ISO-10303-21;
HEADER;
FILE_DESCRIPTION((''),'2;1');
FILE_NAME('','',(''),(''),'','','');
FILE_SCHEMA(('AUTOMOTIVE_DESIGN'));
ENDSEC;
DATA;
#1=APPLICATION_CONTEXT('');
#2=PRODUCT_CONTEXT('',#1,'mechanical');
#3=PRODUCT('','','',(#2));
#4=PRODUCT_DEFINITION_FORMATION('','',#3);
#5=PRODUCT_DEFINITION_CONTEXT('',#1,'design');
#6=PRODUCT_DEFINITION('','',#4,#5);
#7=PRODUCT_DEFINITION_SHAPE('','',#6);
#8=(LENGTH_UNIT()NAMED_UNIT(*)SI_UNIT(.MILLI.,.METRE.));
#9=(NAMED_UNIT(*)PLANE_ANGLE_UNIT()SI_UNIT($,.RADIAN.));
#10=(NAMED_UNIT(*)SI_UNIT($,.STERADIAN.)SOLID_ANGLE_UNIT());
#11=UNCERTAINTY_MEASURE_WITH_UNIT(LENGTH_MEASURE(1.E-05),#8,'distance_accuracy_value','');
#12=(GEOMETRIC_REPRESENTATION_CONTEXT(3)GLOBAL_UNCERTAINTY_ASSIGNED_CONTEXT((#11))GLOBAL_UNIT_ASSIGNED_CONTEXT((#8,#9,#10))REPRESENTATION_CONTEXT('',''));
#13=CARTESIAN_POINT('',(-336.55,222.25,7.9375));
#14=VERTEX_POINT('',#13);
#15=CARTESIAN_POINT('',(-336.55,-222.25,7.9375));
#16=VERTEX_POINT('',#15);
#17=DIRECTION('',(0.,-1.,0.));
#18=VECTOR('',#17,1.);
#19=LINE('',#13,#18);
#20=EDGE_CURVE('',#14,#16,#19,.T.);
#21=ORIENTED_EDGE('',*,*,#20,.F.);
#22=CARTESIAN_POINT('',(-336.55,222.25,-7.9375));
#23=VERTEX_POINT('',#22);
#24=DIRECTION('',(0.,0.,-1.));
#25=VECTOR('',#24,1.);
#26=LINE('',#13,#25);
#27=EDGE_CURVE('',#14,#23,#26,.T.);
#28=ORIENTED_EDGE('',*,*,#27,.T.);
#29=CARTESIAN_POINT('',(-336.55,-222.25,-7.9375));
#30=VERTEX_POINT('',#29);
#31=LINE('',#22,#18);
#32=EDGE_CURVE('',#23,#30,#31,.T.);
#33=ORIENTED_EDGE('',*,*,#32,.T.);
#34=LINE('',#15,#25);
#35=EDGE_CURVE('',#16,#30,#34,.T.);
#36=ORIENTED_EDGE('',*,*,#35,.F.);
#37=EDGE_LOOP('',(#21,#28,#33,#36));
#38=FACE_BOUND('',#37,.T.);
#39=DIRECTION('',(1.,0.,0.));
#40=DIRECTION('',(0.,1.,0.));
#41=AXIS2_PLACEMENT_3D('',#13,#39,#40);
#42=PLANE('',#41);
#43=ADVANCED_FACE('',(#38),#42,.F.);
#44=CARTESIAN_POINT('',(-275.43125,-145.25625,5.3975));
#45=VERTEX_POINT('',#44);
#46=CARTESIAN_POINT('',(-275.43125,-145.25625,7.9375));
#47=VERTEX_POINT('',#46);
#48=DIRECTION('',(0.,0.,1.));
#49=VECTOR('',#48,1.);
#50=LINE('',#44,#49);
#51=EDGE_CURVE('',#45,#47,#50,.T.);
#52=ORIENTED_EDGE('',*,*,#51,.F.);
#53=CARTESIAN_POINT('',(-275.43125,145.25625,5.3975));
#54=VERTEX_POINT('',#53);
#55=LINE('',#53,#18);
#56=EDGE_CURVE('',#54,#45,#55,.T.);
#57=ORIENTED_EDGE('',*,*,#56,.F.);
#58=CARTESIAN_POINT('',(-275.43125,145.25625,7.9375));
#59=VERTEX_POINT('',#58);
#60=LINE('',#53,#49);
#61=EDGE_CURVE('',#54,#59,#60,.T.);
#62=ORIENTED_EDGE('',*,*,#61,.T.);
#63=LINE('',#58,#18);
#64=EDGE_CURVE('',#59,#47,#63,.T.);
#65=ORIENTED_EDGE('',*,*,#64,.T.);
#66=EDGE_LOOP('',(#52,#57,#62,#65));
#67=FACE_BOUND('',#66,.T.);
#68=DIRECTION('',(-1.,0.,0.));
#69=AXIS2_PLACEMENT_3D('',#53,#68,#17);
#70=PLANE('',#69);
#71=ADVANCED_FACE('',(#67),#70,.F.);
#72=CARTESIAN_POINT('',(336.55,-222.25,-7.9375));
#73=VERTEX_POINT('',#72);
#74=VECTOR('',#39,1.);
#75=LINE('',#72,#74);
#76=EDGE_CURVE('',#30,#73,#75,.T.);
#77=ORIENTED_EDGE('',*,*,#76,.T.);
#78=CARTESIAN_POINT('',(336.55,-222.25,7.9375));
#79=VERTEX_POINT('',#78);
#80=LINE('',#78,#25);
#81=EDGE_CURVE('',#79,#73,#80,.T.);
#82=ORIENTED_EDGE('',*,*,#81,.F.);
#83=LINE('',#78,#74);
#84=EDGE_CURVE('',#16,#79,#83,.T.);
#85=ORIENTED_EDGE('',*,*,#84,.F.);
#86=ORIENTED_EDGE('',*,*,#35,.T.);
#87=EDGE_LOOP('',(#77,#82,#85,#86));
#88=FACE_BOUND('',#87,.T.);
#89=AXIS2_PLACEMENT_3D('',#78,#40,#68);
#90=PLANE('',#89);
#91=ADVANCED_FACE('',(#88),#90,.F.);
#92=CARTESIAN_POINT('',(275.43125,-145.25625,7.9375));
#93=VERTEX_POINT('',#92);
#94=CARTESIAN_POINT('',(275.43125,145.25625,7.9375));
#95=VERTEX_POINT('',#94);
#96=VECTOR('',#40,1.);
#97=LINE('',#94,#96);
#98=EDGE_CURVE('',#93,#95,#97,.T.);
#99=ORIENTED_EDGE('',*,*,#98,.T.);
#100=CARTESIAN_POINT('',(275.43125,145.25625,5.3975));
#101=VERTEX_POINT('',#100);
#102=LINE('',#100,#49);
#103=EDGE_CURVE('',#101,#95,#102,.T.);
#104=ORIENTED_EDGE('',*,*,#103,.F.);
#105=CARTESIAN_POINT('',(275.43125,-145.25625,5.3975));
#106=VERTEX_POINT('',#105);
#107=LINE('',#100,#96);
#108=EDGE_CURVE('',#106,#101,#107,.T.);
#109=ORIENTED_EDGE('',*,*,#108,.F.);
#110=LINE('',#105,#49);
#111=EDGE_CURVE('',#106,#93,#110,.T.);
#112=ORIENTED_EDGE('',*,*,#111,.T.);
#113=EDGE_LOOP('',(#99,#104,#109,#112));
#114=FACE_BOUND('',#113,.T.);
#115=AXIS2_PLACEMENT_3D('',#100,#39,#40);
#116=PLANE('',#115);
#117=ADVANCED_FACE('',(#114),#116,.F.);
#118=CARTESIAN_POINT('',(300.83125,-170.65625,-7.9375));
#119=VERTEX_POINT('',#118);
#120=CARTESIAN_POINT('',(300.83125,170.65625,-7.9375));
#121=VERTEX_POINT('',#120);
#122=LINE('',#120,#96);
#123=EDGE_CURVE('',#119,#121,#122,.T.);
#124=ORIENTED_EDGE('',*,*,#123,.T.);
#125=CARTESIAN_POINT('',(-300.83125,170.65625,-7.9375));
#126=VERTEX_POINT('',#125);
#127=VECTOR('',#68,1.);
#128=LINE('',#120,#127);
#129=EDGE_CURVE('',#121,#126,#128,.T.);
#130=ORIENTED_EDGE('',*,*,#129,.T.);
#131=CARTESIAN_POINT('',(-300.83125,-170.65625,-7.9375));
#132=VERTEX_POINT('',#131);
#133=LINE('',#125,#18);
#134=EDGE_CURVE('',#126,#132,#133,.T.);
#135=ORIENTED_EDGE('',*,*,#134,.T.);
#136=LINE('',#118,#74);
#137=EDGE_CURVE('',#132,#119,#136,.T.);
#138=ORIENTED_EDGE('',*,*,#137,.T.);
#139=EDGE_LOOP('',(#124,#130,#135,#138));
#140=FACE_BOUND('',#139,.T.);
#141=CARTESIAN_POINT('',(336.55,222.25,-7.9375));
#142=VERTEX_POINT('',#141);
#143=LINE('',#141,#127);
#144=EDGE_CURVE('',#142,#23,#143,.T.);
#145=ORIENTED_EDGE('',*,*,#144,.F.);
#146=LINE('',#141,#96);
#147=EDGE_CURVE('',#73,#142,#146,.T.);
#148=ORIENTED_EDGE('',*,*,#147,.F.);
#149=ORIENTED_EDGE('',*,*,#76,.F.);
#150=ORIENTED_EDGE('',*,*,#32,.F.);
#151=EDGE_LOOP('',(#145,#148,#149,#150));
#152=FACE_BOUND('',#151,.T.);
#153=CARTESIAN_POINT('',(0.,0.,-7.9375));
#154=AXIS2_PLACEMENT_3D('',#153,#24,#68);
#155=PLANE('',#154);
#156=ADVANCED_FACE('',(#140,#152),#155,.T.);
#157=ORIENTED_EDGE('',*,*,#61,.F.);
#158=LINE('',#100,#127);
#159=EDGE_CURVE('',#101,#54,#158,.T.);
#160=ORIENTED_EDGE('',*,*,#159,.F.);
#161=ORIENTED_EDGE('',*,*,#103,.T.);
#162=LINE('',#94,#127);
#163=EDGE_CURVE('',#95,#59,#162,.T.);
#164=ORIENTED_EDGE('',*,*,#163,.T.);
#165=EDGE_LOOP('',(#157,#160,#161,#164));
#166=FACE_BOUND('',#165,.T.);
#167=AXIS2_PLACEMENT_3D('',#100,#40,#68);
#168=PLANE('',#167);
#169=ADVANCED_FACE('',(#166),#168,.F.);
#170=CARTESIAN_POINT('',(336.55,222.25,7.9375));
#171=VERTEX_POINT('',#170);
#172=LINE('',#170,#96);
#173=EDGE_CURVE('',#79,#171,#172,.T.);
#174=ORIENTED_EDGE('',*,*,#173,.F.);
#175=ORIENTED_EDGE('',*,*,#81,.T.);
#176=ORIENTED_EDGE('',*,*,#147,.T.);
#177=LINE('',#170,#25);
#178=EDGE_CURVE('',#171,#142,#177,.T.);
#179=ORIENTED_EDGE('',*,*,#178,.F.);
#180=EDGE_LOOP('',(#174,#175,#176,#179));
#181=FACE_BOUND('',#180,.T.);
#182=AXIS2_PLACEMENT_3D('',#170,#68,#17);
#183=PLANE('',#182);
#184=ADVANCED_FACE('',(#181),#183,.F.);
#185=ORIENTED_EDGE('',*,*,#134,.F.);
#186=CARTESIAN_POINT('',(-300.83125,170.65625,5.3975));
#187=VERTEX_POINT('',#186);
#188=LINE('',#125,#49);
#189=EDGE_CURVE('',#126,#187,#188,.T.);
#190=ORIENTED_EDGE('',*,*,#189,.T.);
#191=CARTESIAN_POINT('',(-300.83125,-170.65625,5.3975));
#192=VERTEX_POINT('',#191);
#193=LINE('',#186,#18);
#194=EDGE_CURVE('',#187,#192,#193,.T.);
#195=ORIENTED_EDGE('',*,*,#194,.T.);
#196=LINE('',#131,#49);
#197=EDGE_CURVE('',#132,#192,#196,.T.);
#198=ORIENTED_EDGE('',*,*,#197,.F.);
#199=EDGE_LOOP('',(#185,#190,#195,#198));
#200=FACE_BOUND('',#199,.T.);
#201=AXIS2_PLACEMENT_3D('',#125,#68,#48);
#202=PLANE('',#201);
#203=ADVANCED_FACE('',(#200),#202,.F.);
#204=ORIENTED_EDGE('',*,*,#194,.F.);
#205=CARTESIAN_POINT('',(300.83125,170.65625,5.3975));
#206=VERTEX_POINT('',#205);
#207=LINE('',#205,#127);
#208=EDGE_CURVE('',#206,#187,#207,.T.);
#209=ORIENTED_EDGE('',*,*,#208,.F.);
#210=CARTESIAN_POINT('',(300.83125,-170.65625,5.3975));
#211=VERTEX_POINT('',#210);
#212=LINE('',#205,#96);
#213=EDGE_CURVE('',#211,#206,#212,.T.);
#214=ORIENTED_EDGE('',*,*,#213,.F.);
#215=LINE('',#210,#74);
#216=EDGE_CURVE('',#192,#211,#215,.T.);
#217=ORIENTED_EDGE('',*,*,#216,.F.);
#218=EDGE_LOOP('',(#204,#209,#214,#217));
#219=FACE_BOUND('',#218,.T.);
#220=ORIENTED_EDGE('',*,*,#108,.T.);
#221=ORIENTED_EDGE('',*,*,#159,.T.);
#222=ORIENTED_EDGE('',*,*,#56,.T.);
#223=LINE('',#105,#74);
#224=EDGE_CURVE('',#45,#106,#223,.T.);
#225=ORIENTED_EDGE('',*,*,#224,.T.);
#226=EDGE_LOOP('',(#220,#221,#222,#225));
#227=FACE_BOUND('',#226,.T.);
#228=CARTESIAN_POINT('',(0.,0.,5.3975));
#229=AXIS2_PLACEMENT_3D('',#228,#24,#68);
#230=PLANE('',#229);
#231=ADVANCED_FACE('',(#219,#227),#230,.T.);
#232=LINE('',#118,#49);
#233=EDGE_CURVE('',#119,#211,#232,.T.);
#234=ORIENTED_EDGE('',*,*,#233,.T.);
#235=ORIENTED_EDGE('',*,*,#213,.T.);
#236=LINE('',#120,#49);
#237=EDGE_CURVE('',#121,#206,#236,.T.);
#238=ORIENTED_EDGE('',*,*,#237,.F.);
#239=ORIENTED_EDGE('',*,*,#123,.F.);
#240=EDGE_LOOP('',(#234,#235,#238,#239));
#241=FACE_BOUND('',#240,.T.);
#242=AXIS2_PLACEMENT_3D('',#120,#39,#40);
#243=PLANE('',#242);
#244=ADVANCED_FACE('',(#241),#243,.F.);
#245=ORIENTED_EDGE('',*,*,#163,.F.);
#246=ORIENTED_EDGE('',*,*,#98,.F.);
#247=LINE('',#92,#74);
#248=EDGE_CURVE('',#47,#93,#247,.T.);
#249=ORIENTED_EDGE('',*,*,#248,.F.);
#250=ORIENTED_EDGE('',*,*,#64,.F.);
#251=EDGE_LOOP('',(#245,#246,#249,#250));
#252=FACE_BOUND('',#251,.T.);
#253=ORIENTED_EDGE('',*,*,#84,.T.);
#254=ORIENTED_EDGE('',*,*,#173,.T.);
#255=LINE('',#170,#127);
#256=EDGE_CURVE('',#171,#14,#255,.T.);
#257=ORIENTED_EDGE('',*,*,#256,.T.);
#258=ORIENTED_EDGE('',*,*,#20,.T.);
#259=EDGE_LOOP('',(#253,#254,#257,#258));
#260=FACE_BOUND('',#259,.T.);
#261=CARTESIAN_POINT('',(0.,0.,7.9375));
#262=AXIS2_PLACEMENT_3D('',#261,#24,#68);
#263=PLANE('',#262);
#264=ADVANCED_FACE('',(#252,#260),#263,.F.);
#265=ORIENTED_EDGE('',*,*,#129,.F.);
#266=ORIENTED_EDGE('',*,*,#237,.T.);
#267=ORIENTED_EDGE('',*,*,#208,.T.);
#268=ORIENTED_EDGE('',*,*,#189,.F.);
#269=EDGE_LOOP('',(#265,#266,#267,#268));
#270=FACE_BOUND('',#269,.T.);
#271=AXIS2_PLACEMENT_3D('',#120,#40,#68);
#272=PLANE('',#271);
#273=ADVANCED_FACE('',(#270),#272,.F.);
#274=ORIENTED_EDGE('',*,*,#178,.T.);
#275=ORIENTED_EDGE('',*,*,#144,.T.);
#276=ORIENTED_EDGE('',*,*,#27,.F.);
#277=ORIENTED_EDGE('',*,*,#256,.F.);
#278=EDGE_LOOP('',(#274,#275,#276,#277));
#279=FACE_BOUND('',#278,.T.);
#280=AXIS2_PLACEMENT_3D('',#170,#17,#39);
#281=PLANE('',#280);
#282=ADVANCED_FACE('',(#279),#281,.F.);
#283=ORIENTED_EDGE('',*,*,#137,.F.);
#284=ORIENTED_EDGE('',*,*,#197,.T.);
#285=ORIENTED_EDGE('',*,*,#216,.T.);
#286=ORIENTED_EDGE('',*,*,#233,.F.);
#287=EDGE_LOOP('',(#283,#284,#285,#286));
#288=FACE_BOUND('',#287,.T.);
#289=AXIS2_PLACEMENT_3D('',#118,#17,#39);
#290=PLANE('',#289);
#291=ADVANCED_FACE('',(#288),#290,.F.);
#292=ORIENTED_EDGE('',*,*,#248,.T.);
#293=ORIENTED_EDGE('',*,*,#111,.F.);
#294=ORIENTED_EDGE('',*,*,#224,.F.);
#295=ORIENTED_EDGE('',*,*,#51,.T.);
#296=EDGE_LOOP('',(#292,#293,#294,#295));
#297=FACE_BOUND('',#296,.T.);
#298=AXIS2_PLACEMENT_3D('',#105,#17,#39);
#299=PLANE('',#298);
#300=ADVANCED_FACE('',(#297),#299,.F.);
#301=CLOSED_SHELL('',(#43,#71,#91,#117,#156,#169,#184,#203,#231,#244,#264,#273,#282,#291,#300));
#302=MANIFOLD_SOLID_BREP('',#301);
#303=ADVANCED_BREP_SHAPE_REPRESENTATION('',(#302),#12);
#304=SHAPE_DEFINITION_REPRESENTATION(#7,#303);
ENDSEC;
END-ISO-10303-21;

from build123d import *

# Parameters (mm, degrees)
SKETCH1_W               = 673.1
SKETCH1_H               = 444.5
BOSS_EXTRUDE1_DEPTH     = 7.9375
SKETCH2_W               = 601.6625
SKETCH2_H               = 341.3125
CUT_EXTRUDE1_DEPTH      = 1
CUT_EXTRUDE1_DEPTH_BACK = 16.875
SKETCH8_W               = 601.6625
SKETCH8_H               = 341.3125
SKETCH8_W_2             = 550.8625
SKETCH8_H_2             = 290.5125
BOSS_EXTRUDE3_DEPTH     = 2.54


with BuildPart() as part:
    # Sketch1 → Boss-Extrude1 (new body, symmetric)
    with BuildSketch(Plane.XY):
        Rectangle(SKETCH1_W, SKETCH1_H)
    extrude(amount=BOSS_EXTRUDE1_DEPTH, both=True)

    # Sketch2 → Cut-Extrude1 (cut, two sides)
    with BuildSketch(Plane.XY.offset(7.9375)) as cut_extrude1_sk:
        Rectangle(SKETCH2_W, SKETCH2_H)
    extrude(amount=CUT_EXTRUDE1_DEPTH, mode=Mode.SUBTRACT)
    extrude(cut_extrude1_sk.sketch, amount=-CUT_EXTRUDE1_DEPTH_BACK, mode=Mode.SUBTRACT)

    # Sketch8 → Boss-Extrude3 (add)
    with BuildSketch(Plane.XY.offset(7.9375)):
        Rectangle(SKETCH8_W, SKETCH8_H)
        Rectangle(SKETCH8_W_2, SKETCH8_H_2, mode=Mode.SUBTRACT)
    extrude(amount=-BOSS_EXTRUDE3_DEPTH)


solid = part.part
